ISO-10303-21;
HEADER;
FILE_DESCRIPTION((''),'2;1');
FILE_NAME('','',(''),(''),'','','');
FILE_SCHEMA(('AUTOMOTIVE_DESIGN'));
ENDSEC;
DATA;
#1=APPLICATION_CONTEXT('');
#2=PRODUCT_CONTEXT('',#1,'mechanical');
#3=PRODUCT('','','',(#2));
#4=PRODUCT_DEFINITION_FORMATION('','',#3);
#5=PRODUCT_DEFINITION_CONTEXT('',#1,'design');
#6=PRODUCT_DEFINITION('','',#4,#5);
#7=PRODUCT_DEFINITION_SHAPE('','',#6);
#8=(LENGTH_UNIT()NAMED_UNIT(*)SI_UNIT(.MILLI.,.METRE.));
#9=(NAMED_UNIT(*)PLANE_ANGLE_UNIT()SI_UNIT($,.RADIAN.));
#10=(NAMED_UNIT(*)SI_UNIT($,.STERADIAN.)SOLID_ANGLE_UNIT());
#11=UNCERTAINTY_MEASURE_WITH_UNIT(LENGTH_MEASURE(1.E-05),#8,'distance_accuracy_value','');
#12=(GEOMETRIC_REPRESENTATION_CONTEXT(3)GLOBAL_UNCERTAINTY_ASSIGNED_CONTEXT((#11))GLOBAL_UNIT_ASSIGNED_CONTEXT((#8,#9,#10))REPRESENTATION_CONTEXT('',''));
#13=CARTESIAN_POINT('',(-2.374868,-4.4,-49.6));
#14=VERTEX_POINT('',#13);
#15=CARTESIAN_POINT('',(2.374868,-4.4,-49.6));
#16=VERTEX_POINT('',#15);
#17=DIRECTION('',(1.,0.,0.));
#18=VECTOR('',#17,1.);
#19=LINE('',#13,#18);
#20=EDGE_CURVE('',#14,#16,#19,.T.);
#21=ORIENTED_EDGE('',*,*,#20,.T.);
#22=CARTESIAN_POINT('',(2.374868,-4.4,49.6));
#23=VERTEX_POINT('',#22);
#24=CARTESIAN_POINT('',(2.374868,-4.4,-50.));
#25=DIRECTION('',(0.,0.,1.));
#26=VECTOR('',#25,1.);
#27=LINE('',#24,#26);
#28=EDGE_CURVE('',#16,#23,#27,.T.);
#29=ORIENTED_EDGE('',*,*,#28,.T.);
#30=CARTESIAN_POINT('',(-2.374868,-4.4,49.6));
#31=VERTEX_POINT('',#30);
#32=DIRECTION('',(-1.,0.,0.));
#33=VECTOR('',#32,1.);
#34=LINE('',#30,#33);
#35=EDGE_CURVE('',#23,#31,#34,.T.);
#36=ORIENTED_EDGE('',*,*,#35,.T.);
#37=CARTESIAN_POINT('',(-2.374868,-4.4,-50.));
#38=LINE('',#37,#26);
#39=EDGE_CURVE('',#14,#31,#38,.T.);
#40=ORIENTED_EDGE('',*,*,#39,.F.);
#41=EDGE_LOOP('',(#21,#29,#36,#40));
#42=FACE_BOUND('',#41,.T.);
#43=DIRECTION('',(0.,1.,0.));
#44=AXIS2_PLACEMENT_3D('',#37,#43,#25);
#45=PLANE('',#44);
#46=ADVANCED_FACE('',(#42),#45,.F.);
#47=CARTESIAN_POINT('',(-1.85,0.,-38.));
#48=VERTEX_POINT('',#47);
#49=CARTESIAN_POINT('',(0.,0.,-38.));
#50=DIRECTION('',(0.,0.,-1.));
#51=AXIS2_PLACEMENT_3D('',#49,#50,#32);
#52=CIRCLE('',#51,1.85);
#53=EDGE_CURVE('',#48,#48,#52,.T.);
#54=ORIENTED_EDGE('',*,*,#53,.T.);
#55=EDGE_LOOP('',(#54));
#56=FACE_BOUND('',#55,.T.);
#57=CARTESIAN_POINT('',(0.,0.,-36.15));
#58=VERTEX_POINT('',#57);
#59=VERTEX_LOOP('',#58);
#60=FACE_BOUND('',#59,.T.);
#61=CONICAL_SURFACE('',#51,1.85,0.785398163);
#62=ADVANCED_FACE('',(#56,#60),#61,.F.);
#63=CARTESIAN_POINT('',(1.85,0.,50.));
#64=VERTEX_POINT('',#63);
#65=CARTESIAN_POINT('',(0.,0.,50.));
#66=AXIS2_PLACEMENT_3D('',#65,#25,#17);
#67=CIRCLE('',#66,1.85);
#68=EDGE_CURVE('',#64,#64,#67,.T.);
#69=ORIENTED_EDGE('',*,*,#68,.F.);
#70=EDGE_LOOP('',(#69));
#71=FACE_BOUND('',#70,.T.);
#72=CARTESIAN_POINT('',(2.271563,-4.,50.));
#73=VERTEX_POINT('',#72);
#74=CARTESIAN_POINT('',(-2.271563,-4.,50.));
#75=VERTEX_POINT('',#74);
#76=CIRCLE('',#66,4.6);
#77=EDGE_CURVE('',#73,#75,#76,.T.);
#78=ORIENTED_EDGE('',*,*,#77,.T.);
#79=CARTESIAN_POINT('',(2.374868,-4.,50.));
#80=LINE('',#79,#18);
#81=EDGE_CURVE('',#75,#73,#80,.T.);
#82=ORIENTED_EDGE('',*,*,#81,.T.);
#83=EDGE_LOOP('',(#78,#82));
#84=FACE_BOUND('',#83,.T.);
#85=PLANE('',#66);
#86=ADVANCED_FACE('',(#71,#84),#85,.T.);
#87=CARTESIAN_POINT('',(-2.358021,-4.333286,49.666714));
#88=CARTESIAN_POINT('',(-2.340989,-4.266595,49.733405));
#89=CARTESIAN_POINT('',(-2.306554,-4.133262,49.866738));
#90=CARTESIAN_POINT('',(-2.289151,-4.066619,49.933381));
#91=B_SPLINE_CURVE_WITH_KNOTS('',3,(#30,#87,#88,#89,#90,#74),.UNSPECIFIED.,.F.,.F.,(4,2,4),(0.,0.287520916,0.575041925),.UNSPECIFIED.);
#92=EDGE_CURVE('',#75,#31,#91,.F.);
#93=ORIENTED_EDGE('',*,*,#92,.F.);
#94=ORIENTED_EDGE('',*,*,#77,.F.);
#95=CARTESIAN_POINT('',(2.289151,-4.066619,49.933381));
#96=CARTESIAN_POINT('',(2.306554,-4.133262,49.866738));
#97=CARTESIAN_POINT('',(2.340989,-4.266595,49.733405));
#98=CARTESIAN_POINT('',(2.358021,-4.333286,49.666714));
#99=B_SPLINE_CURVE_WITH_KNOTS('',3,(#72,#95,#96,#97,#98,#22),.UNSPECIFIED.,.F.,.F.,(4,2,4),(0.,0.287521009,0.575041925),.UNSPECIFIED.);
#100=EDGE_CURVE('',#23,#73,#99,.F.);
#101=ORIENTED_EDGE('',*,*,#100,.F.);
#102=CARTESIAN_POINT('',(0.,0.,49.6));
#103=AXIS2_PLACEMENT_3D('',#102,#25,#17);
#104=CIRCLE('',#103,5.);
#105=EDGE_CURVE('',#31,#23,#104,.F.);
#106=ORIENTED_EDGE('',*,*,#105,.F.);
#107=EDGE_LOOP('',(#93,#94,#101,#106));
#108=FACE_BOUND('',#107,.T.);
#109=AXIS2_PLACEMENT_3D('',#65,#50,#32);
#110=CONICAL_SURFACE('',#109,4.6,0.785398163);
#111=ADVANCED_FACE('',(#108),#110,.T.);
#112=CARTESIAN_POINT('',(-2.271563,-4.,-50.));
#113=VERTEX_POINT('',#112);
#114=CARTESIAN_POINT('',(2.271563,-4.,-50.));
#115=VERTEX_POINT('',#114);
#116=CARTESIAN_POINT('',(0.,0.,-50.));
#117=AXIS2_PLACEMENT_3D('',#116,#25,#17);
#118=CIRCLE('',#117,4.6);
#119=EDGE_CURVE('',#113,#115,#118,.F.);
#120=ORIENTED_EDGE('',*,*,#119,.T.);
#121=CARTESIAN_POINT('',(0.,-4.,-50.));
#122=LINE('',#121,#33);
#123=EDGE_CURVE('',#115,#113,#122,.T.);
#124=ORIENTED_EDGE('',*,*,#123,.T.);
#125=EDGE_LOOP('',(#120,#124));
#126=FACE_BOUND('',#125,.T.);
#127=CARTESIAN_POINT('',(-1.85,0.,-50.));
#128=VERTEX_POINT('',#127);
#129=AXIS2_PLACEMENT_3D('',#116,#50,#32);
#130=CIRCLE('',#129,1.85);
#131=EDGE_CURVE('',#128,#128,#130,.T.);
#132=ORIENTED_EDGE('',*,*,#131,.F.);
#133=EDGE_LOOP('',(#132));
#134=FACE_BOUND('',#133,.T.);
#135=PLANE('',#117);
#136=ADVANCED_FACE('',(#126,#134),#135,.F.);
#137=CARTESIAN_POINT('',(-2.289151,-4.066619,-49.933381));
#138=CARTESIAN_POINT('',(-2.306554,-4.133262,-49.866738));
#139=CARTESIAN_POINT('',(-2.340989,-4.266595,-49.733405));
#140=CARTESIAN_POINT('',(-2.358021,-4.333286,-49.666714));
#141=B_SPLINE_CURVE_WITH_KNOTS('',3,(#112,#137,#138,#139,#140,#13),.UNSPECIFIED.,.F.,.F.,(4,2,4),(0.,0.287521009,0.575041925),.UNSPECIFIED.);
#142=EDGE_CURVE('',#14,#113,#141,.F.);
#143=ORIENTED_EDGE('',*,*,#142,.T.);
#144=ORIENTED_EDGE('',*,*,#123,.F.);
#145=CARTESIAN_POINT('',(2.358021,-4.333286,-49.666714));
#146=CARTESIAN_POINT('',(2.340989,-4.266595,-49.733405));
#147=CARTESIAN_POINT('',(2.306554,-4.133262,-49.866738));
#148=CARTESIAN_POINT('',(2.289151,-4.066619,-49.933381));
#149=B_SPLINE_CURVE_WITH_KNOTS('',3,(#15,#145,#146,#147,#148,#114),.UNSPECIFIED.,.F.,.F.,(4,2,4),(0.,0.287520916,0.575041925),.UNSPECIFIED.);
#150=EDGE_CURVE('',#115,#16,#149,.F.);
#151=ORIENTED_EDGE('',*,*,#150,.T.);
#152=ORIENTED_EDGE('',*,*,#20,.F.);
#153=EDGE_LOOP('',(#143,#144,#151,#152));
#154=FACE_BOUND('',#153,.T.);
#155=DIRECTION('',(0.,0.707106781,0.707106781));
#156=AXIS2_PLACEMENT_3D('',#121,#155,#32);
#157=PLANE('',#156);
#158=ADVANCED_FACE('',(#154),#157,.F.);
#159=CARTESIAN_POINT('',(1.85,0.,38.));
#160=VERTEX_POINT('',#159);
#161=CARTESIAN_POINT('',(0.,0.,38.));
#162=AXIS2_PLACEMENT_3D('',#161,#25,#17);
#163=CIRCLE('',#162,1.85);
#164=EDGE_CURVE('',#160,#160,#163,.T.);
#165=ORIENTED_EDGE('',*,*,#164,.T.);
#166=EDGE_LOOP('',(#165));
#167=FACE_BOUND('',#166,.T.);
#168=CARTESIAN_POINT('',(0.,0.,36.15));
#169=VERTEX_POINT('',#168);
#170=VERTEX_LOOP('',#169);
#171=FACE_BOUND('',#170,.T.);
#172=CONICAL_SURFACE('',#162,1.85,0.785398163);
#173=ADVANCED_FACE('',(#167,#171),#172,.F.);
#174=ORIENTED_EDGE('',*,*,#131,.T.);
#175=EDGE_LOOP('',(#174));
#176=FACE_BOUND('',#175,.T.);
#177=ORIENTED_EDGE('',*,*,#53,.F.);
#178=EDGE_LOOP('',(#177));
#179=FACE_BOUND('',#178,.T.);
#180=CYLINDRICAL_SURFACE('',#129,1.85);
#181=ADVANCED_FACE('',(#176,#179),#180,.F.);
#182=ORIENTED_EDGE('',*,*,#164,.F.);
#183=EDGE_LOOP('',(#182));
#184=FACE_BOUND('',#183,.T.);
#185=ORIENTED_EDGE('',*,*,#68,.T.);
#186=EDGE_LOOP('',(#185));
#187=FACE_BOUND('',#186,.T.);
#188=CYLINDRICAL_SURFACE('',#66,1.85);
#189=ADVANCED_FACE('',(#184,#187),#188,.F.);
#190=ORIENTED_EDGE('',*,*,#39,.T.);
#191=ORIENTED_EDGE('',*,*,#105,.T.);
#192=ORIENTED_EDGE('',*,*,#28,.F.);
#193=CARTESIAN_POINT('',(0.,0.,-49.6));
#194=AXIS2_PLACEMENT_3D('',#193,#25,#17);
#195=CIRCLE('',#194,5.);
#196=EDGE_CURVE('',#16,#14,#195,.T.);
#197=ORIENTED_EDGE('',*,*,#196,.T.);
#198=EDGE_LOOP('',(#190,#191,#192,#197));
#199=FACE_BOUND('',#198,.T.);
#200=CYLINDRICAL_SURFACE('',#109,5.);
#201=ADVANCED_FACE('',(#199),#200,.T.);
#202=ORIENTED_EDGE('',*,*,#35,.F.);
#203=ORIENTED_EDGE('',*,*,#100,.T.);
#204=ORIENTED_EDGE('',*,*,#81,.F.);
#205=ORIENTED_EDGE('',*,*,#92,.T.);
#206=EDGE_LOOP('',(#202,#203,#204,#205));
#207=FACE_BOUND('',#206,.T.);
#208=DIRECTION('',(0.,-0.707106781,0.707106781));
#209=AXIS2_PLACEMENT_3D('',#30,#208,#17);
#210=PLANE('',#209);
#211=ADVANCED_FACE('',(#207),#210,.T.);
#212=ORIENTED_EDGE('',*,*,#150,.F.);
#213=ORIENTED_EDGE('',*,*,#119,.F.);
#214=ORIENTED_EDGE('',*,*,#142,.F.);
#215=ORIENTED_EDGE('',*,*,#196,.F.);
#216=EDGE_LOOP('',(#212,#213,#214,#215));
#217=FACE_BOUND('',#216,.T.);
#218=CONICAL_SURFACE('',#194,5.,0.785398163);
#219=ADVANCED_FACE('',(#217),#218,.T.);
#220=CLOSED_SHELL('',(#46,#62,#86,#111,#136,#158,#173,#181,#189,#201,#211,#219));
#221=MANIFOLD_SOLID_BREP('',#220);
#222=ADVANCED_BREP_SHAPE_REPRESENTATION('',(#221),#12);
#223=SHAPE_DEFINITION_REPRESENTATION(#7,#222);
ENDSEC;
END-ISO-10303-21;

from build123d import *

# Parameters (mm, degrees)
SKETCH1_R           = 5
BOSS_EXTRUDE1_DEPTH = 50
CUT_EXTRUDE1_DEPTH  = 101
CHAMFER1_SIZE       = 0.4


with BuildPart() as part:
    # Sketch1 → Boss-Extrude1 (new body, symmetric)
    with BuildSketch(Plane.XY):
        Circle(SKETCH1_R)
    extrude(amount=BOSS_EXTRUDE1_DEPTH, both=True)

    # Sketch3 → Hole1 (revolve, cut)
    with BuildSketch(Plane(origin=(0, 0, 50), x_dir=(0, -1, 0), z_dir=(1, 0, 0))):
        Polygon((0, 0), (0, 13.85), (1.85, 12), (1.85, 0), align=None)
    hole1 = revolve(axis=Axis((0, 0, 54.244199587), (0, 0, -1)), mode=Mode.SUBTRACT)

    # Mirror7: Hole1 across plane
    add(hole1.mirror(Plane.XY), mode=Mode.SUBTRACT)

    # Sketch4 → Cut-Extrude1 (cut, through all)
    with BuildSketch(Plane.XY.offset(50)):
        with BuildLine():
            Line((-2.374868417, -4.4), (2.374868417, -4.4))
            ThreePointArc((2.374868417, -4.4), (0, -5), (-2.374868417, -4.4))
        make_face()
    extrude(amount=-CUT_EXTRUDE1_DEPTH, mode=Mode.SUBTRACT)

    # Chamfer1
    chamfer1_edges = [part.edges().sort_by_distance(p)[0] for p in [
        (0, 5, -50),
        (0, 5, 50),
        (0, -4.4, -50),
        (0, -4.4, 50),
    ]]
    chamfer(chamfer1_edges, length=CHAMFER1_SIZE)


solid = part.part
